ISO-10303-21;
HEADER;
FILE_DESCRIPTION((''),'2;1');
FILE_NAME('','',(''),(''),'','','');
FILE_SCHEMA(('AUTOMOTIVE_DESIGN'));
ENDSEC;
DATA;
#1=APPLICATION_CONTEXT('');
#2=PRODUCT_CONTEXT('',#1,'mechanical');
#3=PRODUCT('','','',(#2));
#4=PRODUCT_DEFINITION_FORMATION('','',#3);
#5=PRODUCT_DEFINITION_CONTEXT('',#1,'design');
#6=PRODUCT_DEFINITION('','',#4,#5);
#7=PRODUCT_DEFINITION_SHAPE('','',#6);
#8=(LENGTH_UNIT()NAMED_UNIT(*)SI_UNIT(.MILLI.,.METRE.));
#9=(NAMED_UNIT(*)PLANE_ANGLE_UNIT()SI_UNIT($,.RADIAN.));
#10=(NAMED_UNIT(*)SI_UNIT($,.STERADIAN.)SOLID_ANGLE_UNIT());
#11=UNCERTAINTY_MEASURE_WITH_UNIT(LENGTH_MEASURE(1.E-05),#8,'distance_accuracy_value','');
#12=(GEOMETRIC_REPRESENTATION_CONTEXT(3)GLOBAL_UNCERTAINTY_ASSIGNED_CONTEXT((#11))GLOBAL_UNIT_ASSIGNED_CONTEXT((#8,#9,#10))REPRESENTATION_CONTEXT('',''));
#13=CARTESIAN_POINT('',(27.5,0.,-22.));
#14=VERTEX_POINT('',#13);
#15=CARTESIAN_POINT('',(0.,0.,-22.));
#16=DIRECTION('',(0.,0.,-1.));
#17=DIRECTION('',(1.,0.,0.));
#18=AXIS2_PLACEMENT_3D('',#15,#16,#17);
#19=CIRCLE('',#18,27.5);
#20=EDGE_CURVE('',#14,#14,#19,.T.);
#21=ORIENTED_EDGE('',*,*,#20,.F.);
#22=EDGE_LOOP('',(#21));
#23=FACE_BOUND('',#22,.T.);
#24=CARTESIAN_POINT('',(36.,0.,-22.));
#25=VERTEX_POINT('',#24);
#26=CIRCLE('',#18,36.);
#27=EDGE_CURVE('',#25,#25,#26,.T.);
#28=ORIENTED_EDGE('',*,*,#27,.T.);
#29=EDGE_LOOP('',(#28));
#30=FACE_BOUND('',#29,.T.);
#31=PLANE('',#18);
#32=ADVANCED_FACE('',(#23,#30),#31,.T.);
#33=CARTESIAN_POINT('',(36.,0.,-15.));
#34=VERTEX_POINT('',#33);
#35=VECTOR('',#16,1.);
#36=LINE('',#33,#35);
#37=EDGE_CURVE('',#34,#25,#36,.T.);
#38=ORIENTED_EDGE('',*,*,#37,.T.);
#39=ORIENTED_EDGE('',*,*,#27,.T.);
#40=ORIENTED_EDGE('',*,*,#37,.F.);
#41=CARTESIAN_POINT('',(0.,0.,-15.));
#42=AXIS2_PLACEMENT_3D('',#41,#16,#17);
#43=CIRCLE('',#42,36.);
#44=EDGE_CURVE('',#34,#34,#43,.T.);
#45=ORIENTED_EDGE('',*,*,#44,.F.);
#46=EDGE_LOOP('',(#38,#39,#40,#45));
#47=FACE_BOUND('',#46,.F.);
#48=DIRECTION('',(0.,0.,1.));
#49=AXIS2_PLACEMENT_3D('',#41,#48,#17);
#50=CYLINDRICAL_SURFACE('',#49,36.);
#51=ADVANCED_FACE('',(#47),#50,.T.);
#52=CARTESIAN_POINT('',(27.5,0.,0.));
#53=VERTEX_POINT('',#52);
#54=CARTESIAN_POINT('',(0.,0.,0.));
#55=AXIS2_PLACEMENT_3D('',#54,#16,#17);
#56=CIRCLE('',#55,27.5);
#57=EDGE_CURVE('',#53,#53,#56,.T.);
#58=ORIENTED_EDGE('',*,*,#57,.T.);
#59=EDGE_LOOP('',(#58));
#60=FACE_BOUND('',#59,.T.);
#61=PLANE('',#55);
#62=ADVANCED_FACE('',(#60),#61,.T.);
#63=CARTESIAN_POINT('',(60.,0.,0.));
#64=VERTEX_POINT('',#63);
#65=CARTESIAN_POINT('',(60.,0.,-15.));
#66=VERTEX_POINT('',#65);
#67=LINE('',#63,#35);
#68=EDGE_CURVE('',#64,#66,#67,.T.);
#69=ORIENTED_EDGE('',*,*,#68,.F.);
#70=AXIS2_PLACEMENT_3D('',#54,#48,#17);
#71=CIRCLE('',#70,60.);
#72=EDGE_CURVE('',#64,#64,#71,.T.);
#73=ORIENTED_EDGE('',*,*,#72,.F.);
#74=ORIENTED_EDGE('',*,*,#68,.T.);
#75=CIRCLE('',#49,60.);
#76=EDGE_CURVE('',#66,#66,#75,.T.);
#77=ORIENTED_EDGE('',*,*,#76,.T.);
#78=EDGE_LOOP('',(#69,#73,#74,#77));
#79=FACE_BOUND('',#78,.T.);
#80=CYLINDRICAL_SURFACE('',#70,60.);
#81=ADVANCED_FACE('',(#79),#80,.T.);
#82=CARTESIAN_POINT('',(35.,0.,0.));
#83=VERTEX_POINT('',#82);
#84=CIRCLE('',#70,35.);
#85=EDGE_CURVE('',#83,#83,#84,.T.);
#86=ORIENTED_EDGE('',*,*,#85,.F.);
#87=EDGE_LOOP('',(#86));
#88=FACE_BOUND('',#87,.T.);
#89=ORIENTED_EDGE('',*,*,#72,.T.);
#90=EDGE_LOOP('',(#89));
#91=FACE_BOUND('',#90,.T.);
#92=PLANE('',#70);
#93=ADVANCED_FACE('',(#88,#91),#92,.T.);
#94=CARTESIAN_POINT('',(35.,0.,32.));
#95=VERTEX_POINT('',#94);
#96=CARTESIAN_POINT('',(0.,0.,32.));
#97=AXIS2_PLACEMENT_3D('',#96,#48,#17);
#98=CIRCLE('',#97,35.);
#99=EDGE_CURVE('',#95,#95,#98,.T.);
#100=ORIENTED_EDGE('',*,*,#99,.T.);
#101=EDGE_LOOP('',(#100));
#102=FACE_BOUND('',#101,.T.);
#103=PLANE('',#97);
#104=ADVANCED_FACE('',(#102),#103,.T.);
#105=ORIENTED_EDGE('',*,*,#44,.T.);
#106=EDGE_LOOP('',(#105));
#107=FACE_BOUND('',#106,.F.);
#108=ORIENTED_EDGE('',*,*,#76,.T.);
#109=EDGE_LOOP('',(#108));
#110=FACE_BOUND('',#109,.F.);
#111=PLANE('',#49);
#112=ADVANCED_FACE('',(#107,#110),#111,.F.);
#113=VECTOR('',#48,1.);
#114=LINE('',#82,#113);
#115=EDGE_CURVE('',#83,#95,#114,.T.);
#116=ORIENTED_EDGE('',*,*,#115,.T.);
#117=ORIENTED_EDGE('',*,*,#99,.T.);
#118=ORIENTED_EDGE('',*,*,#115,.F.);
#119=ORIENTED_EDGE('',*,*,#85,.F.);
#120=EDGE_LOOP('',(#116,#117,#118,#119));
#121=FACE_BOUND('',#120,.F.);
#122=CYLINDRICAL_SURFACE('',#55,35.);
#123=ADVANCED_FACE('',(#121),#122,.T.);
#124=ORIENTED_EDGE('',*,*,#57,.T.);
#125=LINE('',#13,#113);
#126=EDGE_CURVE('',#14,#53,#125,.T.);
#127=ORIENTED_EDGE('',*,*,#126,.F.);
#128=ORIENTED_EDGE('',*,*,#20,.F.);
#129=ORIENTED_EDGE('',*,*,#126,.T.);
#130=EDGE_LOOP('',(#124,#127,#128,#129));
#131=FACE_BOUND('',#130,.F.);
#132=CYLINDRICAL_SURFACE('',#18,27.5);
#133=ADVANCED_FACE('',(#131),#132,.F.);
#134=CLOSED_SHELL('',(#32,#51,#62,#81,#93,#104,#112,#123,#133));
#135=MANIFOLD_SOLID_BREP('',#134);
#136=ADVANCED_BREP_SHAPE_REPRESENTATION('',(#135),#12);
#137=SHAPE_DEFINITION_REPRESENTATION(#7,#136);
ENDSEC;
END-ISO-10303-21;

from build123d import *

# Parameters (mm, degrees)
F0_R     = 60
F1_DEPTH = 15
F2_R     = 35
F3_DEPTH = 32
F4_R     = 36
F5_DEPTH = 7
F6_R     = 27.5
F7_DEPTH = 22


with BuildPart() as f1:
    # F0 (on Top) → F1 (new body)
    with BuildSketch(Plane.XY):
        Circle(F0_R)
    extrude(amount=-F1_DEPTH)

    # F2 (on face) → F3 (join)
    with BuildSketch(Plane.XY):
        Circle(F2_R)
    extrude(amount=F3_DEPTH)

    # F4 (on face) → F5 (join)
    with BuildSketch(Plane(origin=(0, 0, -15), x_dir=(1, 0, 0), z_dir=(0, 0, -1))):
        Circle(F4_R)
    extrude(amount=F5_DEPTH)

    # F6 (on face) → F7 (cut)
    with BuildSketch(Plane(origin=(0, 0, -22), x_dir=(1, 0, 0), z_dir=(0, 0, -1))):
        Circle(F6_R)
    extrude(amount=-F7_DEPTH, mode=Mode.SUBTRACT)


solid = f1.part
